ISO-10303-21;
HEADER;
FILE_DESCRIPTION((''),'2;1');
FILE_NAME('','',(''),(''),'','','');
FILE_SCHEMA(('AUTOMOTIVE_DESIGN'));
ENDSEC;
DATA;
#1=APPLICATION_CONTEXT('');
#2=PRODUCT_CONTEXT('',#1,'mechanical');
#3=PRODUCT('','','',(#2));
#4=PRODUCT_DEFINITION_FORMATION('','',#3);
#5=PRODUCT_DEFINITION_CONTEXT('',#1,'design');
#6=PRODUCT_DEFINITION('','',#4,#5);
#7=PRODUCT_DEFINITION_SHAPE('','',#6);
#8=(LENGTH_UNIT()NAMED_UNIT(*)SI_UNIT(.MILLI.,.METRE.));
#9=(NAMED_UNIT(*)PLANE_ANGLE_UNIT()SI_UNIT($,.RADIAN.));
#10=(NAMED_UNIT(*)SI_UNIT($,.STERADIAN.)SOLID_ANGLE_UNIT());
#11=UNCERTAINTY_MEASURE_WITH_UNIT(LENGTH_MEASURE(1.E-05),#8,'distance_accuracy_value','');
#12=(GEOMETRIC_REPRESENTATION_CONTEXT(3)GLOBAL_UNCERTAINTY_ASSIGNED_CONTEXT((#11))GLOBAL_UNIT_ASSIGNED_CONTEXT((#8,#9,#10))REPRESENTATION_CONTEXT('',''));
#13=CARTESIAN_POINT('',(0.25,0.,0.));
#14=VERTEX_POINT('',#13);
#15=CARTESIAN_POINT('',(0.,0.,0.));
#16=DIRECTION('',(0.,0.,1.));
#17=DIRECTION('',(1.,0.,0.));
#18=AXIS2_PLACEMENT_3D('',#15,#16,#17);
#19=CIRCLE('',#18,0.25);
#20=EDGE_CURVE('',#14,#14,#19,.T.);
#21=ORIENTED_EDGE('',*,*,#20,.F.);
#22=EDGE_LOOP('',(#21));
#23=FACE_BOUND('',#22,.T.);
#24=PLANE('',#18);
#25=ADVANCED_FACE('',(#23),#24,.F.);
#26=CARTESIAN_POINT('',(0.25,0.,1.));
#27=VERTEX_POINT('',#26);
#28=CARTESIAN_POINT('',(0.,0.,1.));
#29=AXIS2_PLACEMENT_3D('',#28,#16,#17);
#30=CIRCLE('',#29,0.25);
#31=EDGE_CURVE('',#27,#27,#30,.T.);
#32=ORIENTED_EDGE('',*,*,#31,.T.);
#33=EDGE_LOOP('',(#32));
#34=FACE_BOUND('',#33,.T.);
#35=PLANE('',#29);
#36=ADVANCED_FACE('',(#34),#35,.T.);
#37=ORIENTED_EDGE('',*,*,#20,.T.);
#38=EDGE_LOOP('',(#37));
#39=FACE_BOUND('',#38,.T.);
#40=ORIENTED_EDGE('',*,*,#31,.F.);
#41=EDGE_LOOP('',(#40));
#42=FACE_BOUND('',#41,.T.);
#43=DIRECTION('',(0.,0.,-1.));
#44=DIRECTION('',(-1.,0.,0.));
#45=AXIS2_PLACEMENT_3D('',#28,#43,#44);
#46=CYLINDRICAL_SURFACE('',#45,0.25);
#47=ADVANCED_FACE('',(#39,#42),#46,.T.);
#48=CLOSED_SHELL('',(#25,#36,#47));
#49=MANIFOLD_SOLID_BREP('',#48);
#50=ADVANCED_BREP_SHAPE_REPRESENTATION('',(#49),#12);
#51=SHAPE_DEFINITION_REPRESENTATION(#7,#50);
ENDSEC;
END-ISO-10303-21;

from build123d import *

# Parameters (mm, degrees)
CROQUIS1_R              = 0.25
SALIENTE_EXTRUIR1_DEPTH = 1


with BuildPart() as part:
    # Croquis1 → Saliente-Extruir1 (new body)
    with BuildSketch(Plane.XY):
        Circle(CROQUIS1_R)
    extrude(amount=SALIENTE_EXTRUIR1_DEPTH)


solid = part.part
